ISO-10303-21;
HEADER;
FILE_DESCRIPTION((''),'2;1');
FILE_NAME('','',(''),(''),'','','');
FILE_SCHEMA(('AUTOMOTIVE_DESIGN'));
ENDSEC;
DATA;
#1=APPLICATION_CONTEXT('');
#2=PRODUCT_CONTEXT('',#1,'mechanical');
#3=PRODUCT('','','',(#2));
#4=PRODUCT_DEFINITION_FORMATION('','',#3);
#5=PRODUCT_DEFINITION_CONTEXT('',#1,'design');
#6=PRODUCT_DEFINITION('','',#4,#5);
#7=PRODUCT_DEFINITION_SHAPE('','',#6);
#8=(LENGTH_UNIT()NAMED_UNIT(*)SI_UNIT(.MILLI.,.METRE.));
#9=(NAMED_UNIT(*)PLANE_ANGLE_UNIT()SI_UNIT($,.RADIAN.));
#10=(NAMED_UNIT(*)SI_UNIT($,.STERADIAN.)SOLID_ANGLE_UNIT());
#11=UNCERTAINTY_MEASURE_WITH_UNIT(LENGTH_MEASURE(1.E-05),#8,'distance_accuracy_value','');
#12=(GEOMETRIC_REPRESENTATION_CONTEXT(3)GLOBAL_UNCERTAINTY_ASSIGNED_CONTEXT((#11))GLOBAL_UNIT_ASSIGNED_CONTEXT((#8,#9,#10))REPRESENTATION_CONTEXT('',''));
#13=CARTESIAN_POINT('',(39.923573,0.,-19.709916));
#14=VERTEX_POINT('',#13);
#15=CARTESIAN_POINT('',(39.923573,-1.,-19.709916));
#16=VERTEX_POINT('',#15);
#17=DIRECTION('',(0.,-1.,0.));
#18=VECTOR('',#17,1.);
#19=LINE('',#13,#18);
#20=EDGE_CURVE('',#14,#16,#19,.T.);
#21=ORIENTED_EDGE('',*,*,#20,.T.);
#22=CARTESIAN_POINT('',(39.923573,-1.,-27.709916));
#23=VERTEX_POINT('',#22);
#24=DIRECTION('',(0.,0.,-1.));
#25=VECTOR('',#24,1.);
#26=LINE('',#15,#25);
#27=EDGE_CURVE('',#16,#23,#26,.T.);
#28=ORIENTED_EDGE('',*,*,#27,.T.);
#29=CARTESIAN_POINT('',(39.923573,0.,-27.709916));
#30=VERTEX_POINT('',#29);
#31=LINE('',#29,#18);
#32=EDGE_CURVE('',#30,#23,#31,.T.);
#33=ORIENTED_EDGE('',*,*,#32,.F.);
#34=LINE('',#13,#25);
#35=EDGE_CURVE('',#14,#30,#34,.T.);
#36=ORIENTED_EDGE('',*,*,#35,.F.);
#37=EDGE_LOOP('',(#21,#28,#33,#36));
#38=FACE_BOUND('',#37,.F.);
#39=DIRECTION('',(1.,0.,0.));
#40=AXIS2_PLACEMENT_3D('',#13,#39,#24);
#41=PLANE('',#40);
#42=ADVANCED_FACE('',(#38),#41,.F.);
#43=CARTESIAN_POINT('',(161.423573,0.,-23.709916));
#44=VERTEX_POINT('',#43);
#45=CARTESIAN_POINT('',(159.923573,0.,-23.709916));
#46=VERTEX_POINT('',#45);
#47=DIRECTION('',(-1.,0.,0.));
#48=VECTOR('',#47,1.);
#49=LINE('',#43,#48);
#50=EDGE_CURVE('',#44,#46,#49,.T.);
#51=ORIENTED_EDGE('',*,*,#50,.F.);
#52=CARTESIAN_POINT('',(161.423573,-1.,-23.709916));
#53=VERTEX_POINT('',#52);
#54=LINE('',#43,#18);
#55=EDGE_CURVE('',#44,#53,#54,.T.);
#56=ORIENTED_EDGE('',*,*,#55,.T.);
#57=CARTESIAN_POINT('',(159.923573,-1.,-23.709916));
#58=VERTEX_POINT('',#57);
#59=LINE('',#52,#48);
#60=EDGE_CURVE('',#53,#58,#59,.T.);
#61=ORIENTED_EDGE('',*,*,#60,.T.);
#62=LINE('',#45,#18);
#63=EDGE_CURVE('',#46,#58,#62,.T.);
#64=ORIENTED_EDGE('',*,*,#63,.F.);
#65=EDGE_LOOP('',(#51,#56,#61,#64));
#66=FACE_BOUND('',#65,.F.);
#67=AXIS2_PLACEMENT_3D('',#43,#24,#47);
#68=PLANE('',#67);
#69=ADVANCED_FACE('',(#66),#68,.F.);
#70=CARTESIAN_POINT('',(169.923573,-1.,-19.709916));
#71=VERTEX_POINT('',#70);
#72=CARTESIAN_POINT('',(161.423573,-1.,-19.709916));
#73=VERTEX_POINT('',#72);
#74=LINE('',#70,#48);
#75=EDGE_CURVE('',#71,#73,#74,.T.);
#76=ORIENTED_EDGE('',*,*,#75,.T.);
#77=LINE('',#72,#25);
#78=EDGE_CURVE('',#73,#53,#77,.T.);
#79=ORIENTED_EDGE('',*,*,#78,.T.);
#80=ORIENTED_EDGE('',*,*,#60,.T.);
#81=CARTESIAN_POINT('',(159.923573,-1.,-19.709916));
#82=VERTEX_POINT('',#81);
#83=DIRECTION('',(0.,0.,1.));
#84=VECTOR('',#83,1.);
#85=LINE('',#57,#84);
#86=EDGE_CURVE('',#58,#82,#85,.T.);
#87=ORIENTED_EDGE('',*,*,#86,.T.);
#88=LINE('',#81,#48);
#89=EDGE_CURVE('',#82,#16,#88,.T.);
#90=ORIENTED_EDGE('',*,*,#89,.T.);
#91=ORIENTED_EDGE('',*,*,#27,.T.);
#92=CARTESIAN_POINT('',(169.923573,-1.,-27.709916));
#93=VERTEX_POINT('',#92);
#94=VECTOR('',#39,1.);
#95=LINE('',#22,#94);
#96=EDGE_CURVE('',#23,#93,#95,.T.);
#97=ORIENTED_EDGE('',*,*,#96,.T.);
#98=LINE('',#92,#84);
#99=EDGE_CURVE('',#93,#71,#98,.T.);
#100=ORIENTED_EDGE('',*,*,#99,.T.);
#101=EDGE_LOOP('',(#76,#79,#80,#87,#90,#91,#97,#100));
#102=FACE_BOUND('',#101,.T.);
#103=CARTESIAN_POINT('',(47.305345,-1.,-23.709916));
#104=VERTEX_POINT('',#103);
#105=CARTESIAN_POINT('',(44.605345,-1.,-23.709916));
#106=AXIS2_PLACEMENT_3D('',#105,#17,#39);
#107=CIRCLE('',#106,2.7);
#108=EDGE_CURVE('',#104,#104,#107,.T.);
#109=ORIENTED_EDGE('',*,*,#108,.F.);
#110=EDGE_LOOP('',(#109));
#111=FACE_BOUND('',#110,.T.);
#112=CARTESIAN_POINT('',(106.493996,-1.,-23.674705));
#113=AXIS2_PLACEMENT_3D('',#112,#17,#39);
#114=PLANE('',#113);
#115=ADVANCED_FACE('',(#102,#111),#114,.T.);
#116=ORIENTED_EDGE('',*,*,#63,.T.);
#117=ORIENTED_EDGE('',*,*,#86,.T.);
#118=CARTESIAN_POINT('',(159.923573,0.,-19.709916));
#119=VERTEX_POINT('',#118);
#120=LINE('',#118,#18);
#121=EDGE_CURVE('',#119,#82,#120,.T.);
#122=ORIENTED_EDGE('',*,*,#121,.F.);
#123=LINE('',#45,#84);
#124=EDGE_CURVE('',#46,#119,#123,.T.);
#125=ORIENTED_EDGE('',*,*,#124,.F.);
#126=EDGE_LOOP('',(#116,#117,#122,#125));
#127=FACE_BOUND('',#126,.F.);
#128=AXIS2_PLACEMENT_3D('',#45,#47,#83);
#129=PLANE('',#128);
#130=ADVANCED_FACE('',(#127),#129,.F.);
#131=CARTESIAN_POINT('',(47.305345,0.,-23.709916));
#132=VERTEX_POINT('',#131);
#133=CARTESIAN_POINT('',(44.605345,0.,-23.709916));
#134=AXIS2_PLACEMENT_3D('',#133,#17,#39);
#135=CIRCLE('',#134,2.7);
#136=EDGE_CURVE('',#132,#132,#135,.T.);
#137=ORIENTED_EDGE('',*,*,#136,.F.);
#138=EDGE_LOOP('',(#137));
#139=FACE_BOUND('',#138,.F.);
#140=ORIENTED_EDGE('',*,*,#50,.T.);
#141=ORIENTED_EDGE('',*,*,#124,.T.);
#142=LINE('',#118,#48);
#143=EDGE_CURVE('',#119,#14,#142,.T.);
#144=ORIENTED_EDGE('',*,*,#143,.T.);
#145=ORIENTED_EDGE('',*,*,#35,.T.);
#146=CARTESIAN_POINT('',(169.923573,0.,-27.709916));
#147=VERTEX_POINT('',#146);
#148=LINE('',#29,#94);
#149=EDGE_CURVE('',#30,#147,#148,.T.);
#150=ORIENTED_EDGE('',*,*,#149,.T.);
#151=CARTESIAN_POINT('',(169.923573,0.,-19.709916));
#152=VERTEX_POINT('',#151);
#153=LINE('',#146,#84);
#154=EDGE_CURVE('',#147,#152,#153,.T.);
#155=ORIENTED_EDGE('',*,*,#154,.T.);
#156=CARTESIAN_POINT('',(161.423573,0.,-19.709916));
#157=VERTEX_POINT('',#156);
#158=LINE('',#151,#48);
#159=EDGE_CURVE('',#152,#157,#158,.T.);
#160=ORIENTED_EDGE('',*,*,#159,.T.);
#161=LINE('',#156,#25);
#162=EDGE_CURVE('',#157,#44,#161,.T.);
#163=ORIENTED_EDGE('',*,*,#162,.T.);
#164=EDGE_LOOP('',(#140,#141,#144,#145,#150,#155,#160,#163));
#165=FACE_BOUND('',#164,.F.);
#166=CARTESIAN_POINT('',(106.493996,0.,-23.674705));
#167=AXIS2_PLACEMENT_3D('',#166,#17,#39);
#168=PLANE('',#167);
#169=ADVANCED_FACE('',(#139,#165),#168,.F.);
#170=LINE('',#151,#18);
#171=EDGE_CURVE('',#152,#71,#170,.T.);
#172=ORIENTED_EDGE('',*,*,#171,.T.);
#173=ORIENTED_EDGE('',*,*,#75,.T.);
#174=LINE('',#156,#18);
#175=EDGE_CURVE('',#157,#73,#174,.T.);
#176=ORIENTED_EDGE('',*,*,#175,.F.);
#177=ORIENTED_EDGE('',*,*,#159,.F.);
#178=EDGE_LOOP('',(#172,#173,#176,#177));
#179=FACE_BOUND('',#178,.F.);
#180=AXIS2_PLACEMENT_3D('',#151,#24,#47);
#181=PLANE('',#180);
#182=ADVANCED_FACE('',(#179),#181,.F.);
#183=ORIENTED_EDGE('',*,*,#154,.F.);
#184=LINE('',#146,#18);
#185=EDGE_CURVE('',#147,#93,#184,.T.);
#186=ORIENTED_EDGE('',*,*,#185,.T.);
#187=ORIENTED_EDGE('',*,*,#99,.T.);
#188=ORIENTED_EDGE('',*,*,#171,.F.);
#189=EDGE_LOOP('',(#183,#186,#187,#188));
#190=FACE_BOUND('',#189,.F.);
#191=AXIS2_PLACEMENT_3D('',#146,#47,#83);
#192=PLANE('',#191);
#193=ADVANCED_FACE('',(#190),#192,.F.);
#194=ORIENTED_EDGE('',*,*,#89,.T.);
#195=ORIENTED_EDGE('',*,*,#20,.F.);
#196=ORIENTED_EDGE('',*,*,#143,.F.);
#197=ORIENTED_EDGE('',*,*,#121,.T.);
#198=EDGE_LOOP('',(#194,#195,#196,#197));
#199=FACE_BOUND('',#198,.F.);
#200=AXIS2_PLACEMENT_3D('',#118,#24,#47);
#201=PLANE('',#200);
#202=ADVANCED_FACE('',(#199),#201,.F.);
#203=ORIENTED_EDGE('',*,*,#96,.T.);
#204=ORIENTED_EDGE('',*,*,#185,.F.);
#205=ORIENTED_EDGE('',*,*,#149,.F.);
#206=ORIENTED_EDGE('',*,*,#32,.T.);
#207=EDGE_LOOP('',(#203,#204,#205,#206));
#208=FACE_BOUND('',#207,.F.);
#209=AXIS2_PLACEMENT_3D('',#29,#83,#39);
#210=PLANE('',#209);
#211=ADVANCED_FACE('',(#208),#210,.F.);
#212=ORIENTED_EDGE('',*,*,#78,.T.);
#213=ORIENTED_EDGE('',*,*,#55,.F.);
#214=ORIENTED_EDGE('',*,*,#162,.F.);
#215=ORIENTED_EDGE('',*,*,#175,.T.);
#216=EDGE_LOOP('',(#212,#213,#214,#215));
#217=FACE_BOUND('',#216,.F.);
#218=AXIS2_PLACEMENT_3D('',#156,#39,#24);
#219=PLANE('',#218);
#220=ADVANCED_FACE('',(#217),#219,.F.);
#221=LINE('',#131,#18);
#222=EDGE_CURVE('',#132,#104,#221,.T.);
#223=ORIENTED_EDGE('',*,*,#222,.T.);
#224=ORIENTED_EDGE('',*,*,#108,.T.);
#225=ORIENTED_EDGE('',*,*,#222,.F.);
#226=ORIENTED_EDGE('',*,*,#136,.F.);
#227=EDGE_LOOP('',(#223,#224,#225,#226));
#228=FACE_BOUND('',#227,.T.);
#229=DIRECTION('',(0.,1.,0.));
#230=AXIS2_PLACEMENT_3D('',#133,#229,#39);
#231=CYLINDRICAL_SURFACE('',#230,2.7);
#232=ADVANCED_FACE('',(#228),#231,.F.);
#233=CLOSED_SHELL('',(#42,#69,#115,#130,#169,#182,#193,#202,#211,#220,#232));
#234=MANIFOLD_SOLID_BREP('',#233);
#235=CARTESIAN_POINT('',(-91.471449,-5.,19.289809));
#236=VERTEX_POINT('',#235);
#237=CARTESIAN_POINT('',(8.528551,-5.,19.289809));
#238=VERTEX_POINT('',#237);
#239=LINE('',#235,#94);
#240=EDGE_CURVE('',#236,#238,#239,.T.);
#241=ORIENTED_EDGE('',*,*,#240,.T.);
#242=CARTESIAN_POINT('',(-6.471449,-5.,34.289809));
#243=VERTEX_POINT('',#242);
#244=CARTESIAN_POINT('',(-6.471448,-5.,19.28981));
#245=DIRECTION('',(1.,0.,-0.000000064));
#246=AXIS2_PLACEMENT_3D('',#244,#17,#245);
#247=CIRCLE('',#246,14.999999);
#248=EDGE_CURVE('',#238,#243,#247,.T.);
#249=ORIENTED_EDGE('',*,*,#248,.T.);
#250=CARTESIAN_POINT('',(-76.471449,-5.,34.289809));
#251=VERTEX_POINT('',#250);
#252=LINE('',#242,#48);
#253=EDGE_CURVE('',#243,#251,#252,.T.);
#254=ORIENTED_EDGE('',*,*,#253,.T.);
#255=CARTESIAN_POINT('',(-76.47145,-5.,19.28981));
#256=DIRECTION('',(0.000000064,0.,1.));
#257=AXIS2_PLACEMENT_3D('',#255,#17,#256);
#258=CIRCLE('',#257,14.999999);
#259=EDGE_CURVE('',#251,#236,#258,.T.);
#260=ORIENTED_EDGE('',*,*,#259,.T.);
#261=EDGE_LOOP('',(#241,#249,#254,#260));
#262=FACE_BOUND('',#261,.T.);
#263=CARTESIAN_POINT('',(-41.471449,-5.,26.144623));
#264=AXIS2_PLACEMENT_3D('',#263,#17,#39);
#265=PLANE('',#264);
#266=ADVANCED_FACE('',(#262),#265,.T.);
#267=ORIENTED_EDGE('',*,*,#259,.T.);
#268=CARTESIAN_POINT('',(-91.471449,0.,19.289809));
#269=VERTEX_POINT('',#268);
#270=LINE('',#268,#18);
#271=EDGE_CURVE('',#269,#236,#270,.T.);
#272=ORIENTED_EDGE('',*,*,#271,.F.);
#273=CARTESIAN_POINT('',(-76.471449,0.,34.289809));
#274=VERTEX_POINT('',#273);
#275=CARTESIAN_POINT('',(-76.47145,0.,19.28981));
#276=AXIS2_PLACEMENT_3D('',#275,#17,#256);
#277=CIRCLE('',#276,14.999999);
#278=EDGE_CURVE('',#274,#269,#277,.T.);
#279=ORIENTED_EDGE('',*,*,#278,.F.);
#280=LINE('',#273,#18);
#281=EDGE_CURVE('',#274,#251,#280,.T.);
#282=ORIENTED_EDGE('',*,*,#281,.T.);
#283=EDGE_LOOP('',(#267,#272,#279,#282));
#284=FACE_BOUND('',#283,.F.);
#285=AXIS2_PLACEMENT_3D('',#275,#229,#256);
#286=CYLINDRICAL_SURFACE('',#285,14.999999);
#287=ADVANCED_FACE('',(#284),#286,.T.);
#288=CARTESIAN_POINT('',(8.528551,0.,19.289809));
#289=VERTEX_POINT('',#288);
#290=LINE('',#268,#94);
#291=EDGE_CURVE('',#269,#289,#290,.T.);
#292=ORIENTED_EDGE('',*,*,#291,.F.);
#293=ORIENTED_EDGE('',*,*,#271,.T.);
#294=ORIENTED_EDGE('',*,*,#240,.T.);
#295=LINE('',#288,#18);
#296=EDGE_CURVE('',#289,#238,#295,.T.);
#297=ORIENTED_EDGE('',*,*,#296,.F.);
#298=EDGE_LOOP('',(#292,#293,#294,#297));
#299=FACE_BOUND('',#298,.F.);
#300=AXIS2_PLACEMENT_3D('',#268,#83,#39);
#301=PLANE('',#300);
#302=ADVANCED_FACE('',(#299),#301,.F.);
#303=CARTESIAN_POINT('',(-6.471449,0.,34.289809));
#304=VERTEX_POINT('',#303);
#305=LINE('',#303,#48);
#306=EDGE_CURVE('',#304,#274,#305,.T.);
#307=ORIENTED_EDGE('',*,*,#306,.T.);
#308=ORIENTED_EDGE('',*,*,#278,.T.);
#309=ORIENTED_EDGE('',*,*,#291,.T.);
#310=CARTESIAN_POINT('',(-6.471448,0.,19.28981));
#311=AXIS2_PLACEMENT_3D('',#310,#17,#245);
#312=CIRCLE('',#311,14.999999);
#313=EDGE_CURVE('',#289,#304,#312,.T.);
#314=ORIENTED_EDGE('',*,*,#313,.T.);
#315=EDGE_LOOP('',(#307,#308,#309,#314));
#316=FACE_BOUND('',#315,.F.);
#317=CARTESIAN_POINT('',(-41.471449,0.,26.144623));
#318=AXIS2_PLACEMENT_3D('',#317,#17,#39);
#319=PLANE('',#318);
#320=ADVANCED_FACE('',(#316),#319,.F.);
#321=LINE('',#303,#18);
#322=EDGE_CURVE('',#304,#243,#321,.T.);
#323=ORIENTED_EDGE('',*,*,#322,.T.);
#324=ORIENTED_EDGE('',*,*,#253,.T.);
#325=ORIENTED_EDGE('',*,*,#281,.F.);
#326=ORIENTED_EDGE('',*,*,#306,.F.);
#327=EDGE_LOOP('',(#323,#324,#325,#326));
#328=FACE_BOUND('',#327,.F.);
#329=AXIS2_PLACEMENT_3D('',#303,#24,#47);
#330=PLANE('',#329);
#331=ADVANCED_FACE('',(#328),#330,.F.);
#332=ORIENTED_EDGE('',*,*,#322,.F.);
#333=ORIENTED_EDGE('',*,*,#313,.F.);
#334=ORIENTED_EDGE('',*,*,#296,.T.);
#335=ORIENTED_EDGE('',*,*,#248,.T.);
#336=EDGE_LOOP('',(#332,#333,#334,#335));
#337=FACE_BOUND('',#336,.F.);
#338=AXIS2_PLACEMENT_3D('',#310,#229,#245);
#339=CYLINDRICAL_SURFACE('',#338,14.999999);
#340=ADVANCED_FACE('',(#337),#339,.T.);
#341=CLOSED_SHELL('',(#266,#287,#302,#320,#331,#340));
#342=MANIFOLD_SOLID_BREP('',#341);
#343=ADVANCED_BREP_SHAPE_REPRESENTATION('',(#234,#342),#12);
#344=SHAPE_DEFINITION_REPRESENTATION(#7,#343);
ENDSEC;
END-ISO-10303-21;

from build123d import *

# Parameters (mm, degrees)
F1_DEPTH = 5
F2_R     = 2.7
F3_DEPTH = 1


with BuildPart() as f1:
    # F0 (on Front) → F1 (new body)
    with BuildSketch(Plane.XZ):
        with BuildLine():
            ThreePointArc((-76.471449, 34.289809), (-87.078051, 29.896411), (-91.471449, 19.289809))
            Line((-91.471449, 19.289809), (8.528551, 19.289809))
            ThreePointArc((8.528551, 19.289809), (4.135153, 29.896411), (-6.471449, 34.289809))
            Line((-6.471449, 34.289809), (-76.471449, 34.289809))
        make_face()
    extrude(amount=F1_DEPTH)


with BuildPart() as f3:
    # F2 (on Front) → F3 (new body)
    with BuildSketch(Plane.XZ):
        Polygon((159.923573, -19.709916), (39.923573, -19.709916), (39.923573, -27.709916), (169.923573, -27.709916), (169.923573, -19.709916), (161.423573, -19.709916), (161.423573, -23.709916), (159.923573, -23.709916), align=None)
        with Locations((44.605345, -23.709916)):
            Circle(F2_R, mode=Mode.SUBTRACT)
    extrude(amount=F3_DEPTH)


solid = Compound([f1.part, f3.part])
